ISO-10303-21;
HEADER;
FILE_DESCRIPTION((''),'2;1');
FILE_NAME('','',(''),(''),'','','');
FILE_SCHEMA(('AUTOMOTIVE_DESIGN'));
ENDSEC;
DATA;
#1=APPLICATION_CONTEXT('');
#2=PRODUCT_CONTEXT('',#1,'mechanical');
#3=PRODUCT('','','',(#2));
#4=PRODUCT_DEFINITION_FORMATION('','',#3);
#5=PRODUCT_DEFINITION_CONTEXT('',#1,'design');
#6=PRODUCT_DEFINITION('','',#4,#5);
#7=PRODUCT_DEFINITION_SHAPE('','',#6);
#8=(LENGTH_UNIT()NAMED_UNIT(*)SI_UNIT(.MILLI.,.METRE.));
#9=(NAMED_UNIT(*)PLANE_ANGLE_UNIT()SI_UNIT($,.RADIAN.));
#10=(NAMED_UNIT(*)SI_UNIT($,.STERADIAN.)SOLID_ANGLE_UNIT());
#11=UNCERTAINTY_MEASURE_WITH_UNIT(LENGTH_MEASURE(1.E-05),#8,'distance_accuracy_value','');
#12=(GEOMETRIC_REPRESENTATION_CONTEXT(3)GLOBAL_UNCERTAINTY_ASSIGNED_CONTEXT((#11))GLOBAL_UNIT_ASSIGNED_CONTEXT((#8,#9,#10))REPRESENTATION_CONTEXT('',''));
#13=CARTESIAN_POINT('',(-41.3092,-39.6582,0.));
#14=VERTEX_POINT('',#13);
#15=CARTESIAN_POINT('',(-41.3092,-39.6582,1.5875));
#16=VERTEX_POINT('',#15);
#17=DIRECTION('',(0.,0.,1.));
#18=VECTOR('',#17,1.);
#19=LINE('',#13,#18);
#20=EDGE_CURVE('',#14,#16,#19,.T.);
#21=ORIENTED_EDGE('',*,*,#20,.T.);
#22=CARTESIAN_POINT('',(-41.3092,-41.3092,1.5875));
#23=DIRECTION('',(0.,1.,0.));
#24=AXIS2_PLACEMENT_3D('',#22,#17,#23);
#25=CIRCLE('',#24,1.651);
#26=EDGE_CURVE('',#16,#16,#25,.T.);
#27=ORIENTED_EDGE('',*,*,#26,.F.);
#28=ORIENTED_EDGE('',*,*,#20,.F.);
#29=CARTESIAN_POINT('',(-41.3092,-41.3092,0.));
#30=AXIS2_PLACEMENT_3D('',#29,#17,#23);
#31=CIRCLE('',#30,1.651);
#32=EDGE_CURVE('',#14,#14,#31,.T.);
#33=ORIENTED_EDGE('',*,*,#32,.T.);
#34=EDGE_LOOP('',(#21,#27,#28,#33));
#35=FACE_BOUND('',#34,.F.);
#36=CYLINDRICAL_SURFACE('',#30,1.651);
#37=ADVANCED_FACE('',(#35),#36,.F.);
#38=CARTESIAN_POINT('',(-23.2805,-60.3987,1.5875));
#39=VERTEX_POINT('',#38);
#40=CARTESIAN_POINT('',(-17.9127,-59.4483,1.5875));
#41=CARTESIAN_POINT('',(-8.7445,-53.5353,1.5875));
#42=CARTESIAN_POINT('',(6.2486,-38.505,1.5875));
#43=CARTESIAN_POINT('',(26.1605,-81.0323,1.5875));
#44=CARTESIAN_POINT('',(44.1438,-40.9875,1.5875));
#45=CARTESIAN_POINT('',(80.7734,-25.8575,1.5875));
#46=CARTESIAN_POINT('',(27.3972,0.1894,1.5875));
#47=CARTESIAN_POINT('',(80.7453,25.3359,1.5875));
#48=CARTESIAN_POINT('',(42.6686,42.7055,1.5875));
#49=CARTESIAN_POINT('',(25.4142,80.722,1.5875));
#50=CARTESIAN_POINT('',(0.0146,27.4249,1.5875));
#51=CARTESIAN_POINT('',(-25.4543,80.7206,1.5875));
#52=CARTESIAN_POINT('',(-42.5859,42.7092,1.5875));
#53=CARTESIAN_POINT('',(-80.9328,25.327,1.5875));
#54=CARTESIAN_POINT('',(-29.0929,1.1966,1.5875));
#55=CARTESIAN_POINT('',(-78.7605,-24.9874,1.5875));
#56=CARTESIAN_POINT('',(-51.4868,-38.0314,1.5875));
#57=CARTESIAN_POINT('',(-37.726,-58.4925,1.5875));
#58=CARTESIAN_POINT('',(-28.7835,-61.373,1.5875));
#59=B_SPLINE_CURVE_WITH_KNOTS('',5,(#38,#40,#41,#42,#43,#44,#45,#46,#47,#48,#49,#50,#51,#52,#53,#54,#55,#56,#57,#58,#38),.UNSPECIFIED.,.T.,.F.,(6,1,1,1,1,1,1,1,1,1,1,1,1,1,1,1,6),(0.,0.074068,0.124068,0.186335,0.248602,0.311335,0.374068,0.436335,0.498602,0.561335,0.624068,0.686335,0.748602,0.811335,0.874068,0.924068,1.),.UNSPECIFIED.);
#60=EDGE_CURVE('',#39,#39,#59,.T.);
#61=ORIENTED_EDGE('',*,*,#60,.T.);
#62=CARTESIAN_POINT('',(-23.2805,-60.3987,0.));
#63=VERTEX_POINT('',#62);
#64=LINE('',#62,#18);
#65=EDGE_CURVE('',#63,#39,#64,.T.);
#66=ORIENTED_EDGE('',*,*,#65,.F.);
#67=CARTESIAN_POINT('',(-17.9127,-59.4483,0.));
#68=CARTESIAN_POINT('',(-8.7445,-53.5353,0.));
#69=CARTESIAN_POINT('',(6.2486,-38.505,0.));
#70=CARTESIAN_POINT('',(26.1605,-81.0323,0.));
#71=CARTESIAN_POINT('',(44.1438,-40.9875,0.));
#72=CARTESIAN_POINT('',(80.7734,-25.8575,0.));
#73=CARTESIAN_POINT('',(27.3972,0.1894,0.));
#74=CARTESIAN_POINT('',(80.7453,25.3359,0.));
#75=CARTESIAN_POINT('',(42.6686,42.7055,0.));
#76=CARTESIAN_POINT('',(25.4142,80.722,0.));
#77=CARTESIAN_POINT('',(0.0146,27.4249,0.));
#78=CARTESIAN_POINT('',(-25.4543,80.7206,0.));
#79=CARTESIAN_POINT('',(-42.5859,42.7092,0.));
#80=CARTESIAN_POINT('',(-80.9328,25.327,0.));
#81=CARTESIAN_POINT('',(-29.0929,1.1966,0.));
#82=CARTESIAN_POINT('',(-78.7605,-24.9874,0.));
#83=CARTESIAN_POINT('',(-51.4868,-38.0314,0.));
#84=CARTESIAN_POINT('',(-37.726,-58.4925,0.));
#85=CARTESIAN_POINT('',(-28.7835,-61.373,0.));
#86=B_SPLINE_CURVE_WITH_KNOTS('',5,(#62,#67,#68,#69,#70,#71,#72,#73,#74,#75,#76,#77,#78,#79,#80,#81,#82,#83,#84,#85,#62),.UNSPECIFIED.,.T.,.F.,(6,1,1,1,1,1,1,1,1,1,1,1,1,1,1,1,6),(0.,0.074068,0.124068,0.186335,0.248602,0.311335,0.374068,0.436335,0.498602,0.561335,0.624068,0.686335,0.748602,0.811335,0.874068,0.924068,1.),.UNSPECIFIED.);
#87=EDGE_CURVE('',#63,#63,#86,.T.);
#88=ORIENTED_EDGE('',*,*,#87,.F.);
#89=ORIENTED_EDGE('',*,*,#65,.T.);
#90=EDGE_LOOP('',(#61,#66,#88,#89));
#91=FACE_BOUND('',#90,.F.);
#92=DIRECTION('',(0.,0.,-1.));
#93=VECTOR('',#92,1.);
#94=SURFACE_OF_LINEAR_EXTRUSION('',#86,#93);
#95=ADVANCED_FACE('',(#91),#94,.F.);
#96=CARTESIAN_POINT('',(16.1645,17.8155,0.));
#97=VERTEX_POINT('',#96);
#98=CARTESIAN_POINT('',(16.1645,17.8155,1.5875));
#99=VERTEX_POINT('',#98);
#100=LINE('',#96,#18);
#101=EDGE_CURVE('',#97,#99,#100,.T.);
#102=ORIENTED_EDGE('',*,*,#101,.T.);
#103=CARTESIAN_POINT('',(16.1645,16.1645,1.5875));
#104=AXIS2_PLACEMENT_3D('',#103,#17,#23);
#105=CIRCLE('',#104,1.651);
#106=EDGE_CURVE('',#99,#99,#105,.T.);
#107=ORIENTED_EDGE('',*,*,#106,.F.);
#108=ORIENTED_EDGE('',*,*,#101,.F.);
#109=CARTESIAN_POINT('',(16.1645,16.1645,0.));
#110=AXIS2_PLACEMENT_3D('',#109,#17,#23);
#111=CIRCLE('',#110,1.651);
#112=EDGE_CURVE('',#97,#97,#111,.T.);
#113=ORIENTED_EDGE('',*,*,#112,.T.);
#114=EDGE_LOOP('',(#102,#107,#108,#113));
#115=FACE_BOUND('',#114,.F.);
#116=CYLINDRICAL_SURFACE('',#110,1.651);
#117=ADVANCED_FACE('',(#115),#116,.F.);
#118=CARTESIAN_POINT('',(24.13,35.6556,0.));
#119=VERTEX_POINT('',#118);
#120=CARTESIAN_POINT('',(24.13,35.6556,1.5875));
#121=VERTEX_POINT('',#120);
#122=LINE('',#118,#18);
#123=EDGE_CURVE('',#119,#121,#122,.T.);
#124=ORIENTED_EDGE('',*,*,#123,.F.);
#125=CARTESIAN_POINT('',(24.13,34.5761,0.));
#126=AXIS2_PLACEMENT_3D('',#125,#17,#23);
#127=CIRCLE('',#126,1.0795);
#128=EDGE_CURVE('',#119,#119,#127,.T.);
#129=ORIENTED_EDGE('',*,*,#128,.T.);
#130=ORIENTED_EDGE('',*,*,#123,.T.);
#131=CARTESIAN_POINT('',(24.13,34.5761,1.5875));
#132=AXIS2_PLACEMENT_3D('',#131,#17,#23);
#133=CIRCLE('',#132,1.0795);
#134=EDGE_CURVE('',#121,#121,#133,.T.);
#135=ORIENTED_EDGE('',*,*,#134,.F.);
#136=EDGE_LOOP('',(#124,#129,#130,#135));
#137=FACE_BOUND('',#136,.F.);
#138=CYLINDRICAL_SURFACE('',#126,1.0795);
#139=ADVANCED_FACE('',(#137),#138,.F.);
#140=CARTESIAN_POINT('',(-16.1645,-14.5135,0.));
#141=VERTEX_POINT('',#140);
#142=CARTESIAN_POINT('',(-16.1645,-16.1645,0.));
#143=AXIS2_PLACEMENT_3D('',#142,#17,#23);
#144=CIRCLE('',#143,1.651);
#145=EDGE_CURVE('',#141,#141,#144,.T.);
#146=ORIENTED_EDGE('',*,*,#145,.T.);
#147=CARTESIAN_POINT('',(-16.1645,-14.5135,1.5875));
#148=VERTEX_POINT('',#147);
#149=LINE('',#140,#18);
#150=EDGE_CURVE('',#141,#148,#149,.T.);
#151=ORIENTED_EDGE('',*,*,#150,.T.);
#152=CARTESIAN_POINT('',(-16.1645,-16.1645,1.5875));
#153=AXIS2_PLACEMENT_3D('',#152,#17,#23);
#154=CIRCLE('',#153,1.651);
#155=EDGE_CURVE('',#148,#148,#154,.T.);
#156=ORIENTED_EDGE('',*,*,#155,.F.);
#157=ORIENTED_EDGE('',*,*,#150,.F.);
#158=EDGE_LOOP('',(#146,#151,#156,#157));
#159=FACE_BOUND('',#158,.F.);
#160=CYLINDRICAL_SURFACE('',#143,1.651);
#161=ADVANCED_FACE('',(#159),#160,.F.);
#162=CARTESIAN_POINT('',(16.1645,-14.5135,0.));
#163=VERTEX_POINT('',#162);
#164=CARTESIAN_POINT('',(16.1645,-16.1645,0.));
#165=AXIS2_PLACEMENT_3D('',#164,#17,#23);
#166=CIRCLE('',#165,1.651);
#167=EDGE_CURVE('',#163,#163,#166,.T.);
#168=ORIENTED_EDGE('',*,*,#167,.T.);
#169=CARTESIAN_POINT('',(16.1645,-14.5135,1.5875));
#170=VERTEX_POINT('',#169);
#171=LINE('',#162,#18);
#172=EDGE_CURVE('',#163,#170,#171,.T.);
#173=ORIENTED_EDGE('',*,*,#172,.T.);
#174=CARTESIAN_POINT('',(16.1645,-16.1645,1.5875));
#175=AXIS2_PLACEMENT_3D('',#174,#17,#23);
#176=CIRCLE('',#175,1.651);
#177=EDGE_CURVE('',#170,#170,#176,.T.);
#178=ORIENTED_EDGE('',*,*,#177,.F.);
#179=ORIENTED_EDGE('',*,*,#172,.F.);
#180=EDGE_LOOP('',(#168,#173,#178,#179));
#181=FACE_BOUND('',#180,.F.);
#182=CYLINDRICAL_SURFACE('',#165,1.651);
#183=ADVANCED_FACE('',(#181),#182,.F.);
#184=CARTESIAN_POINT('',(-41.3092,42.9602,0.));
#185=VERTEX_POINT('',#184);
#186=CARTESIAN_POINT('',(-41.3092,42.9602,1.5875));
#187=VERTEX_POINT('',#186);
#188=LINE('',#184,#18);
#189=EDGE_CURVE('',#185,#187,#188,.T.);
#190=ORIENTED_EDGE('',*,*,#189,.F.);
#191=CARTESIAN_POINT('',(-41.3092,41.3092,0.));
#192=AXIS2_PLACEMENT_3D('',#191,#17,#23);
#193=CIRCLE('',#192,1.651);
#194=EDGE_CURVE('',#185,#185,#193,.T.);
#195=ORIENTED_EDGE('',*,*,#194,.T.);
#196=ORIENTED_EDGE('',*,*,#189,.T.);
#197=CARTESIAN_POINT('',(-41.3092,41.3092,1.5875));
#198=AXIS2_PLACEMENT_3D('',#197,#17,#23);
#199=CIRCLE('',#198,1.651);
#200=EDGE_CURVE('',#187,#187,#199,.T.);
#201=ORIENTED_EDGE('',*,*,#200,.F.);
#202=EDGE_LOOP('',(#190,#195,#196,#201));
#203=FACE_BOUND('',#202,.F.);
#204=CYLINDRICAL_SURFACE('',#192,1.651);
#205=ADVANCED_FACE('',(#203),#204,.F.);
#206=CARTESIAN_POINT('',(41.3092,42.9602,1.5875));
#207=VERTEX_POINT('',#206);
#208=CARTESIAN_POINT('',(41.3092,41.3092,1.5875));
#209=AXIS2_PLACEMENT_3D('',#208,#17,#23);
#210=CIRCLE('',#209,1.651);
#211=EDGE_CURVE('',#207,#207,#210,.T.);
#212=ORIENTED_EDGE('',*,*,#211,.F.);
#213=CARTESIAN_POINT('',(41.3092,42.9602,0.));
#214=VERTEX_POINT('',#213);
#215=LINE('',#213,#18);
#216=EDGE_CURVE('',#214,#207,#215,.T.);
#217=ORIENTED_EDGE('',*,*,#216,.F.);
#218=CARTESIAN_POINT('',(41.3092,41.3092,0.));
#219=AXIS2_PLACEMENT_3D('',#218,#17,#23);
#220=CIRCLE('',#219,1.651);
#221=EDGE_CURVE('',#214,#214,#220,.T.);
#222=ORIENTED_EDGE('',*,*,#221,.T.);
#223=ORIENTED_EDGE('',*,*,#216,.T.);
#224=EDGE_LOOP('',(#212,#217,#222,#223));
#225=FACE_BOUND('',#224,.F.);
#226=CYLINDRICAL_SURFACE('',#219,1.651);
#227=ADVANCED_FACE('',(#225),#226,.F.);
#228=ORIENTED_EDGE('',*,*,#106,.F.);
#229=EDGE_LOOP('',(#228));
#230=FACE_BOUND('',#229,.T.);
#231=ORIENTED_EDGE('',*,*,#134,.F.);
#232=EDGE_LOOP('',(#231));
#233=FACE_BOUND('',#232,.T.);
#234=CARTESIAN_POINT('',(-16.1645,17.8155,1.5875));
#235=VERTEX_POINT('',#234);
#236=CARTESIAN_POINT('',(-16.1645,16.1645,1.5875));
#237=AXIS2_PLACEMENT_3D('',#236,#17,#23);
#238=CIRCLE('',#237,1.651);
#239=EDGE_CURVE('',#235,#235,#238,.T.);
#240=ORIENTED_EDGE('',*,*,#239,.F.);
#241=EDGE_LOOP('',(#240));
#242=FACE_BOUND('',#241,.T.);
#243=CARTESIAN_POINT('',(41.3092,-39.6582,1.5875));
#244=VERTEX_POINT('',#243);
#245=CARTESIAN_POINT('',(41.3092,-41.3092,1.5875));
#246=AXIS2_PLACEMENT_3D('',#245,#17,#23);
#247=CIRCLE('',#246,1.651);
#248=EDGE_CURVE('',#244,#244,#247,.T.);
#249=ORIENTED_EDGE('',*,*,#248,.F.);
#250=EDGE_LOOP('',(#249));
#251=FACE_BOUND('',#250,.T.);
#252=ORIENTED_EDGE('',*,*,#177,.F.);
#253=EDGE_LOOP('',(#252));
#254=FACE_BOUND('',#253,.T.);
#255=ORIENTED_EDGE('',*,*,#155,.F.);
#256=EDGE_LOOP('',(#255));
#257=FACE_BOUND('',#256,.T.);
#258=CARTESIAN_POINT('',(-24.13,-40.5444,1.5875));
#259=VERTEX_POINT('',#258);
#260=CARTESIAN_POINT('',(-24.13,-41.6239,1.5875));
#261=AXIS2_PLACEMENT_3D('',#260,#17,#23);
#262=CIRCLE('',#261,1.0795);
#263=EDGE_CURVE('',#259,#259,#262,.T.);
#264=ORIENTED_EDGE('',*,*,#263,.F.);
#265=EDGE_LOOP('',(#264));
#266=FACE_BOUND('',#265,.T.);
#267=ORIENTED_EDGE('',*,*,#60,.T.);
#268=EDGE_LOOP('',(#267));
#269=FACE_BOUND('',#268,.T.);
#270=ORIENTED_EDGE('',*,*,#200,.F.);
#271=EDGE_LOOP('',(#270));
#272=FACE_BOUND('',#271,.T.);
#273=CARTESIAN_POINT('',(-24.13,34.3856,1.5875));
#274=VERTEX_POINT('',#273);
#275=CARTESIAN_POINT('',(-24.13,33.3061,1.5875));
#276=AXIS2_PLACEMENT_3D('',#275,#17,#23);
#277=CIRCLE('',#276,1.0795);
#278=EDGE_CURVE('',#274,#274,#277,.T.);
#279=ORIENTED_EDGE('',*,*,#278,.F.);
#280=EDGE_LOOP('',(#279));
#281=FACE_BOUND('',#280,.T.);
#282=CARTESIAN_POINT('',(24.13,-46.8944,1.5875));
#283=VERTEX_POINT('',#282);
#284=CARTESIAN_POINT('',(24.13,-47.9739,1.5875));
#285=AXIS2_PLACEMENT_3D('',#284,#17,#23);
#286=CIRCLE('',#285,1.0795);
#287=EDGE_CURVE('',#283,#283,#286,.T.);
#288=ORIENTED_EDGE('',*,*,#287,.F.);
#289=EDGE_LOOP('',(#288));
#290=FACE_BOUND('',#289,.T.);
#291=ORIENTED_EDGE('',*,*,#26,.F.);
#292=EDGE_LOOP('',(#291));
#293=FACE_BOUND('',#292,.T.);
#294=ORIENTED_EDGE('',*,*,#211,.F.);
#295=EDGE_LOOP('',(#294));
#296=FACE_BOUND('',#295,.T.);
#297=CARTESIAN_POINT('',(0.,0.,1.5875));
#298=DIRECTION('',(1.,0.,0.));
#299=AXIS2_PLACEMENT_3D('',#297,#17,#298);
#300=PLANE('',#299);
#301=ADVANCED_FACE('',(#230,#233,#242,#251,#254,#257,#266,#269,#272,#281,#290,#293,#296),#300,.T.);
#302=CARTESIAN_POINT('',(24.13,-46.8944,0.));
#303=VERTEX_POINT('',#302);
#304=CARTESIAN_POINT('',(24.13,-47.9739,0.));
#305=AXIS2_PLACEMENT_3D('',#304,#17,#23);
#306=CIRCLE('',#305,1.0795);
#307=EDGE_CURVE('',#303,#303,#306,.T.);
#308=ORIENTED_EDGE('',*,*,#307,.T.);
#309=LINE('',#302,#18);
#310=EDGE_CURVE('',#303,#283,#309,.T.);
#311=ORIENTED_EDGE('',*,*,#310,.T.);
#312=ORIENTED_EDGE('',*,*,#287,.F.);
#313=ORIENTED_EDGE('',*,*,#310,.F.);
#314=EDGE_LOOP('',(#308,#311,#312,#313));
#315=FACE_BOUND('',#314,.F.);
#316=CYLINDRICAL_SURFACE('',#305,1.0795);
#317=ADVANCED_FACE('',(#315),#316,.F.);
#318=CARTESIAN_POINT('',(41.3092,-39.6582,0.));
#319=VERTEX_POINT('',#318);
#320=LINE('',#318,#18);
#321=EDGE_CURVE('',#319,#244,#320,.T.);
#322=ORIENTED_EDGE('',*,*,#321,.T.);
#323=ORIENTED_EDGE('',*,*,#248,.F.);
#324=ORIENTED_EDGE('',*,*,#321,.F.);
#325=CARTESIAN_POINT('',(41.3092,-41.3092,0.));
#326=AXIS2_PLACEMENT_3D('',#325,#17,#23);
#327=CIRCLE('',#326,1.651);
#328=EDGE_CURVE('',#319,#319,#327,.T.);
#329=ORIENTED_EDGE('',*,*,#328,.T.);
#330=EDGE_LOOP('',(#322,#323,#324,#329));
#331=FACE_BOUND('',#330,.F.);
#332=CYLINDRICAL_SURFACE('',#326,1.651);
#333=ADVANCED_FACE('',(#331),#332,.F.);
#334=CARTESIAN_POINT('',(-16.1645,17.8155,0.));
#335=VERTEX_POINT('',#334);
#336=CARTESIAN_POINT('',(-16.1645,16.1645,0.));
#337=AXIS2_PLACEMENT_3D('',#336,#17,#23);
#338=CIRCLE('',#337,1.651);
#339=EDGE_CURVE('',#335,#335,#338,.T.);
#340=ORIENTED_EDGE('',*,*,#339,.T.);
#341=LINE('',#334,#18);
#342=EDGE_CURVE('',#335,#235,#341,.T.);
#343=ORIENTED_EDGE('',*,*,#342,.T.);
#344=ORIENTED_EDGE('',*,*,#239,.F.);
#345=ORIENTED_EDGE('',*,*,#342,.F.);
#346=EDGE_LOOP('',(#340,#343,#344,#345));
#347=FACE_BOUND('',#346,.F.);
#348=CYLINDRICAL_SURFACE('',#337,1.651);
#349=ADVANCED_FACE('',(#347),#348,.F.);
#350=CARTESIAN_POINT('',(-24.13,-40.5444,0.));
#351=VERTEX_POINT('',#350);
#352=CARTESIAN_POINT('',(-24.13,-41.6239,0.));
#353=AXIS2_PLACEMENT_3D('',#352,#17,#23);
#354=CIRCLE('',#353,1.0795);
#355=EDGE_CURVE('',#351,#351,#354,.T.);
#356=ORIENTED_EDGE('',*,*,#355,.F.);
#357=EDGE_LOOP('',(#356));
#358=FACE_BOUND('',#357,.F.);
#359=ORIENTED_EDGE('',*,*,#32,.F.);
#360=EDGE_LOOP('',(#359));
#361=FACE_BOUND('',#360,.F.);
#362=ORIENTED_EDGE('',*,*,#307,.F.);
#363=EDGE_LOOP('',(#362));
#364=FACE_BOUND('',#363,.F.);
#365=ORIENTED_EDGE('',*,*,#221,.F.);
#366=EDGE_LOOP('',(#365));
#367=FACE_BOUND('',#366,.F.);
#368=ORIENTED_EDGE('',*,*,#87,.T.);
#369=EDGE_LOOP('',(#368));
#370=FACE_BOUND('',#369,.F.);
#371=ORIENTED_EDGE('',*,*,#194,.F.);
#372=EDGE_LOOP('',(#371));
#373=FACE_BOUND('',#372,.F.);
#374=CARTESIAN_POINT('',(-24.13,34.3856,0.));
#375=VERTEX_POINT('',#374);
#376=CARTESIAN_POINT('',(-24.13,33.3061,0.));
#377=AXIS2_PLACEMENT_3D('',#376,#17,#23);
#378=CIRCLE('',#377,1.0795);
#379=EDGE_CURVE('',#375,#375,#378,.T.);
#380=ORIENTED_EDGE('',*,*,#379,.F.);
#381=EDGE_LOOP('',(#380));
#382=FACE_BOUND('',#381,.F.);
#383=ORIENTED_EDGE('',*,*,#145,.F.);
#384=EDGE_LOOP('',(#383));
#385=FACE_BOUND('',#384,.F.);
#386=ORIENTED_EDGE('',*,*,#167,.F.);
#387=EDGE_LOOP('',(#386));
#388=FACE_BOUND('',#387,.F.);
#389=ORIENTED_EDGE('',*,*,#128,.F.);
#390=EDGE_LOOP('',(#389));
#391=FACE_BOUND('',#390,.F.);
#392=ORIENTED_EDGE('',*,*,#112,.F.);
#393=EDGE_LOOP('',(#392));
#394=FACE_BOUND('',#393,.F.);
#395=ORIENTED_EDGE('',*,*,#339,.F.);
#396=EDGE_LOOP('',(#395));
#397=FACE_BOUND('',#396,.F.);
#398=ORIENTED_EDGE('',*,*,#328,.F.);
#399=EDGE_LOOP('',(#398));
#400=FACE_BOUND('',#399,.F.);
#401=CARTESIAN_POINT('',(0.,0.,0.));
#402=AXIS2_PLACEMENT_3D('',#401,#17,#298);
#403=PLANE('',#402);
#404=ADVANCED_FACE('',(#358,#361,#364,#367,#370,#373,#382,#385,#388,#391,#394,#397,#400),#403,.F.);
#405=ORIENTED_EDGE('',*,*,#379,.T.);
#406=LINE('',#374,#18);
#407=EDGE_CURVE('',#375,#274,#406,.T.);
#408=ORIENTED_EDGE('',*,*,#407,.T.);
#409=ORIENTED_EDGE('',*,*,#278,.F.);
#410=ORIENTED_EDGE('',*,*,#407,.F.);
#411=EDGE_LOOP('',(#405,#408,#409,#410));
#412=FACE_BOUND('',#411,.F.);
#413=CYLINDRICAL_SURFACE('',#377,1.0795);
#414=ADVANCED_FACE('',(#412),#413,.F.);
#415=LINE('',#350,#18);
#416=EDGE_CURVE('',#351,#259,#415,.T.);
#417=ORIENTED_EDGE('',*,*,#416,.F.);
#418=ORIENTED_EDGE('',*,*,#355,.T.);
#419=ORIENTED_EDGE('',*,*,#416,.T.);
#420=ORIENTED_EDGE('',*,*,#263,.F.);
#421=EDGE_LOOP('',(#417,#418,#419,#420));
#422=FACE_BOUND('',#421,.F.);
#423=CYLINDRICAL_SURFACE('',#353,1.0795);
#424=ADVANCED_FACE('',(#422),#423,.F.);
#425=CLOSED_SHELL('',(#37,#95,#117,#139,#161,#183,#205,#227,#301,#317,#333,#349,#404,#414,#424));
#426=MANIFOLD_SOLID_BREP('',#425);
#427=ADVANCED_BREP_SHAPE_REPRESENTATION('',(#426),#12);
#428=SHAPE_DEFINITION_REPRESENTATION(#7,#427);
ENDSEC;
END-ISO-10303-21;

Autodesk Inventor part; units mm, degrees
ref_plane "YZ Plane" through (0, 0, 0) normal (1, 0, 0) x (0, 1, 0)
ref_plane "XZ Plane" through (0, 0, 0) normal (0, 1, 0) x (-1, 0, 0)
ref_plane "XY Plane" through (0, 0, 0) normal (0, 0, 1) x (1, 0, 0)
sketch "Sketch1" plane through (0, 0, 0) normal (0, 0, 1) x (1, 0, 0)
  line L0 (0, 3.1673) -> (0, -2.4908)
  line L1 (-20.5368, 0) -> (25.7294, 0)
  line L2 (0, 0) -> (-9.8402, -9.8402)
  line L3 (0, 0) -> (13.9161, 0) construction
  line L4 (0, 0) -> (-23.2805, 23.2805)
  spline S0 degree 5 poles (-23.2805, -60.3987) (-17.9127, -59.4483) (-8.7445, -53.5353) (6.2486, -38.505) (26.1605, -81.0323) (44.1438, -40.9875) (80.7734, -25.8575) (27.3972, 0.1894) (80.7453, 25.3359) (42.6686, 42.7055) (25.4142, 80.722) (0.0146, 27.4249) (-25.4543, 80.7206) (-42.5859, 42.7092) (-80.9328, 25.327) (-29.0929, 1.1966) (-78.7605, -24.9874) (-51.4868, -38.0314) (-37.726, -58.4925) (-28.7835, -61.373) (-23.2805, -60.3987) knots 0 0 0 0 0 0 0.074068 0.124068 0.186335 0.248602 0.311335 0.374068 0.436335 0.498602 0.561335 0.624068 0.686335 0.748602 0.811335 0.874068 0.924068 1 1 1 1 1 1
  point P0 (-16.1645, 16.1645)
  point P1 (-41.3092, 41.3092)
  point P2 (-41.3092, -41.3092)
  point P3 (-16.1645, -16.1645)
  point P4 (16.1645, 16.1645)
  point P5 (41.3092, 41.3092)
  point P6 (41.3092, -41.3092)
  point P7 (16.1645, -16.1645)
  point P8 (24.13, -47.9739)
  point P9 (24.13, 34.5761)
  point P10 (-24.13, 33.3061)
  point P11 (-24.13, -41.6239)
  point P12 (23.2805, -60.3987)
  point P13 (46.6973, -46.6973)
  point P14 (60.3987, -23.2805)
  point P15 (50.8, 0)
  point P16 (60.3987, 23.2805)
  point P17 (46.6973, 46.6973)
  point P18 (23.2805, 60.3987)
  point P19 (0, 50.8)
  point P20 (-23.2805, 60.3987)
  point P21 (-46.6973, 46.6973)
  point P22 (-60.3987, 23.2805)
  point P23 (-50.8, 0)
  point P24 (-60.3987, -23.2805)
  point P25 (-46.6973, -46.6973)
  dimension "d1" = 45
  dimension "d57" = 35.56
  dimension "d58" = 22.86
  dimension "d59" = 48.26
  dimension "d60" = 48.26
  dimension "d61" = 74.93
  dimension "d62" = 82.55
  dimension "d63" = 6.35
  dimension "d64" = 1.27
  dimension "d65" = 24.13
extrude "Extrusion1" add sketch "Sketch1" along normal blind 1.5875
hole "Hole1" at (-16.1645, 16.1645, 0) at (-41.3092, 41.3092, 0) at (-41.3092, -41.3092, 0) at (-16.1645, -16.1645, 0) at (41.3092, 41.3092, 0) at (16.1645, 16.1645, 0) at (16.1645, -16.1645, 0) at (41.3092, -41.3092, 0) direction (0, 0, 1) diameter 3.302 end through all thread size "8-32 UNC" class "2B" standard "ANSI Unified Screw Threads"
hole "Hole2" at (24.13, -47.9739, 0) at (24.13, 34.5761, 0) at (-24.13, 33.3061, 0) at (-24.13, -41.6239, 0) direction (0, 0, 1) diameter 2.159 end through all
properties part number "BaseTop"
